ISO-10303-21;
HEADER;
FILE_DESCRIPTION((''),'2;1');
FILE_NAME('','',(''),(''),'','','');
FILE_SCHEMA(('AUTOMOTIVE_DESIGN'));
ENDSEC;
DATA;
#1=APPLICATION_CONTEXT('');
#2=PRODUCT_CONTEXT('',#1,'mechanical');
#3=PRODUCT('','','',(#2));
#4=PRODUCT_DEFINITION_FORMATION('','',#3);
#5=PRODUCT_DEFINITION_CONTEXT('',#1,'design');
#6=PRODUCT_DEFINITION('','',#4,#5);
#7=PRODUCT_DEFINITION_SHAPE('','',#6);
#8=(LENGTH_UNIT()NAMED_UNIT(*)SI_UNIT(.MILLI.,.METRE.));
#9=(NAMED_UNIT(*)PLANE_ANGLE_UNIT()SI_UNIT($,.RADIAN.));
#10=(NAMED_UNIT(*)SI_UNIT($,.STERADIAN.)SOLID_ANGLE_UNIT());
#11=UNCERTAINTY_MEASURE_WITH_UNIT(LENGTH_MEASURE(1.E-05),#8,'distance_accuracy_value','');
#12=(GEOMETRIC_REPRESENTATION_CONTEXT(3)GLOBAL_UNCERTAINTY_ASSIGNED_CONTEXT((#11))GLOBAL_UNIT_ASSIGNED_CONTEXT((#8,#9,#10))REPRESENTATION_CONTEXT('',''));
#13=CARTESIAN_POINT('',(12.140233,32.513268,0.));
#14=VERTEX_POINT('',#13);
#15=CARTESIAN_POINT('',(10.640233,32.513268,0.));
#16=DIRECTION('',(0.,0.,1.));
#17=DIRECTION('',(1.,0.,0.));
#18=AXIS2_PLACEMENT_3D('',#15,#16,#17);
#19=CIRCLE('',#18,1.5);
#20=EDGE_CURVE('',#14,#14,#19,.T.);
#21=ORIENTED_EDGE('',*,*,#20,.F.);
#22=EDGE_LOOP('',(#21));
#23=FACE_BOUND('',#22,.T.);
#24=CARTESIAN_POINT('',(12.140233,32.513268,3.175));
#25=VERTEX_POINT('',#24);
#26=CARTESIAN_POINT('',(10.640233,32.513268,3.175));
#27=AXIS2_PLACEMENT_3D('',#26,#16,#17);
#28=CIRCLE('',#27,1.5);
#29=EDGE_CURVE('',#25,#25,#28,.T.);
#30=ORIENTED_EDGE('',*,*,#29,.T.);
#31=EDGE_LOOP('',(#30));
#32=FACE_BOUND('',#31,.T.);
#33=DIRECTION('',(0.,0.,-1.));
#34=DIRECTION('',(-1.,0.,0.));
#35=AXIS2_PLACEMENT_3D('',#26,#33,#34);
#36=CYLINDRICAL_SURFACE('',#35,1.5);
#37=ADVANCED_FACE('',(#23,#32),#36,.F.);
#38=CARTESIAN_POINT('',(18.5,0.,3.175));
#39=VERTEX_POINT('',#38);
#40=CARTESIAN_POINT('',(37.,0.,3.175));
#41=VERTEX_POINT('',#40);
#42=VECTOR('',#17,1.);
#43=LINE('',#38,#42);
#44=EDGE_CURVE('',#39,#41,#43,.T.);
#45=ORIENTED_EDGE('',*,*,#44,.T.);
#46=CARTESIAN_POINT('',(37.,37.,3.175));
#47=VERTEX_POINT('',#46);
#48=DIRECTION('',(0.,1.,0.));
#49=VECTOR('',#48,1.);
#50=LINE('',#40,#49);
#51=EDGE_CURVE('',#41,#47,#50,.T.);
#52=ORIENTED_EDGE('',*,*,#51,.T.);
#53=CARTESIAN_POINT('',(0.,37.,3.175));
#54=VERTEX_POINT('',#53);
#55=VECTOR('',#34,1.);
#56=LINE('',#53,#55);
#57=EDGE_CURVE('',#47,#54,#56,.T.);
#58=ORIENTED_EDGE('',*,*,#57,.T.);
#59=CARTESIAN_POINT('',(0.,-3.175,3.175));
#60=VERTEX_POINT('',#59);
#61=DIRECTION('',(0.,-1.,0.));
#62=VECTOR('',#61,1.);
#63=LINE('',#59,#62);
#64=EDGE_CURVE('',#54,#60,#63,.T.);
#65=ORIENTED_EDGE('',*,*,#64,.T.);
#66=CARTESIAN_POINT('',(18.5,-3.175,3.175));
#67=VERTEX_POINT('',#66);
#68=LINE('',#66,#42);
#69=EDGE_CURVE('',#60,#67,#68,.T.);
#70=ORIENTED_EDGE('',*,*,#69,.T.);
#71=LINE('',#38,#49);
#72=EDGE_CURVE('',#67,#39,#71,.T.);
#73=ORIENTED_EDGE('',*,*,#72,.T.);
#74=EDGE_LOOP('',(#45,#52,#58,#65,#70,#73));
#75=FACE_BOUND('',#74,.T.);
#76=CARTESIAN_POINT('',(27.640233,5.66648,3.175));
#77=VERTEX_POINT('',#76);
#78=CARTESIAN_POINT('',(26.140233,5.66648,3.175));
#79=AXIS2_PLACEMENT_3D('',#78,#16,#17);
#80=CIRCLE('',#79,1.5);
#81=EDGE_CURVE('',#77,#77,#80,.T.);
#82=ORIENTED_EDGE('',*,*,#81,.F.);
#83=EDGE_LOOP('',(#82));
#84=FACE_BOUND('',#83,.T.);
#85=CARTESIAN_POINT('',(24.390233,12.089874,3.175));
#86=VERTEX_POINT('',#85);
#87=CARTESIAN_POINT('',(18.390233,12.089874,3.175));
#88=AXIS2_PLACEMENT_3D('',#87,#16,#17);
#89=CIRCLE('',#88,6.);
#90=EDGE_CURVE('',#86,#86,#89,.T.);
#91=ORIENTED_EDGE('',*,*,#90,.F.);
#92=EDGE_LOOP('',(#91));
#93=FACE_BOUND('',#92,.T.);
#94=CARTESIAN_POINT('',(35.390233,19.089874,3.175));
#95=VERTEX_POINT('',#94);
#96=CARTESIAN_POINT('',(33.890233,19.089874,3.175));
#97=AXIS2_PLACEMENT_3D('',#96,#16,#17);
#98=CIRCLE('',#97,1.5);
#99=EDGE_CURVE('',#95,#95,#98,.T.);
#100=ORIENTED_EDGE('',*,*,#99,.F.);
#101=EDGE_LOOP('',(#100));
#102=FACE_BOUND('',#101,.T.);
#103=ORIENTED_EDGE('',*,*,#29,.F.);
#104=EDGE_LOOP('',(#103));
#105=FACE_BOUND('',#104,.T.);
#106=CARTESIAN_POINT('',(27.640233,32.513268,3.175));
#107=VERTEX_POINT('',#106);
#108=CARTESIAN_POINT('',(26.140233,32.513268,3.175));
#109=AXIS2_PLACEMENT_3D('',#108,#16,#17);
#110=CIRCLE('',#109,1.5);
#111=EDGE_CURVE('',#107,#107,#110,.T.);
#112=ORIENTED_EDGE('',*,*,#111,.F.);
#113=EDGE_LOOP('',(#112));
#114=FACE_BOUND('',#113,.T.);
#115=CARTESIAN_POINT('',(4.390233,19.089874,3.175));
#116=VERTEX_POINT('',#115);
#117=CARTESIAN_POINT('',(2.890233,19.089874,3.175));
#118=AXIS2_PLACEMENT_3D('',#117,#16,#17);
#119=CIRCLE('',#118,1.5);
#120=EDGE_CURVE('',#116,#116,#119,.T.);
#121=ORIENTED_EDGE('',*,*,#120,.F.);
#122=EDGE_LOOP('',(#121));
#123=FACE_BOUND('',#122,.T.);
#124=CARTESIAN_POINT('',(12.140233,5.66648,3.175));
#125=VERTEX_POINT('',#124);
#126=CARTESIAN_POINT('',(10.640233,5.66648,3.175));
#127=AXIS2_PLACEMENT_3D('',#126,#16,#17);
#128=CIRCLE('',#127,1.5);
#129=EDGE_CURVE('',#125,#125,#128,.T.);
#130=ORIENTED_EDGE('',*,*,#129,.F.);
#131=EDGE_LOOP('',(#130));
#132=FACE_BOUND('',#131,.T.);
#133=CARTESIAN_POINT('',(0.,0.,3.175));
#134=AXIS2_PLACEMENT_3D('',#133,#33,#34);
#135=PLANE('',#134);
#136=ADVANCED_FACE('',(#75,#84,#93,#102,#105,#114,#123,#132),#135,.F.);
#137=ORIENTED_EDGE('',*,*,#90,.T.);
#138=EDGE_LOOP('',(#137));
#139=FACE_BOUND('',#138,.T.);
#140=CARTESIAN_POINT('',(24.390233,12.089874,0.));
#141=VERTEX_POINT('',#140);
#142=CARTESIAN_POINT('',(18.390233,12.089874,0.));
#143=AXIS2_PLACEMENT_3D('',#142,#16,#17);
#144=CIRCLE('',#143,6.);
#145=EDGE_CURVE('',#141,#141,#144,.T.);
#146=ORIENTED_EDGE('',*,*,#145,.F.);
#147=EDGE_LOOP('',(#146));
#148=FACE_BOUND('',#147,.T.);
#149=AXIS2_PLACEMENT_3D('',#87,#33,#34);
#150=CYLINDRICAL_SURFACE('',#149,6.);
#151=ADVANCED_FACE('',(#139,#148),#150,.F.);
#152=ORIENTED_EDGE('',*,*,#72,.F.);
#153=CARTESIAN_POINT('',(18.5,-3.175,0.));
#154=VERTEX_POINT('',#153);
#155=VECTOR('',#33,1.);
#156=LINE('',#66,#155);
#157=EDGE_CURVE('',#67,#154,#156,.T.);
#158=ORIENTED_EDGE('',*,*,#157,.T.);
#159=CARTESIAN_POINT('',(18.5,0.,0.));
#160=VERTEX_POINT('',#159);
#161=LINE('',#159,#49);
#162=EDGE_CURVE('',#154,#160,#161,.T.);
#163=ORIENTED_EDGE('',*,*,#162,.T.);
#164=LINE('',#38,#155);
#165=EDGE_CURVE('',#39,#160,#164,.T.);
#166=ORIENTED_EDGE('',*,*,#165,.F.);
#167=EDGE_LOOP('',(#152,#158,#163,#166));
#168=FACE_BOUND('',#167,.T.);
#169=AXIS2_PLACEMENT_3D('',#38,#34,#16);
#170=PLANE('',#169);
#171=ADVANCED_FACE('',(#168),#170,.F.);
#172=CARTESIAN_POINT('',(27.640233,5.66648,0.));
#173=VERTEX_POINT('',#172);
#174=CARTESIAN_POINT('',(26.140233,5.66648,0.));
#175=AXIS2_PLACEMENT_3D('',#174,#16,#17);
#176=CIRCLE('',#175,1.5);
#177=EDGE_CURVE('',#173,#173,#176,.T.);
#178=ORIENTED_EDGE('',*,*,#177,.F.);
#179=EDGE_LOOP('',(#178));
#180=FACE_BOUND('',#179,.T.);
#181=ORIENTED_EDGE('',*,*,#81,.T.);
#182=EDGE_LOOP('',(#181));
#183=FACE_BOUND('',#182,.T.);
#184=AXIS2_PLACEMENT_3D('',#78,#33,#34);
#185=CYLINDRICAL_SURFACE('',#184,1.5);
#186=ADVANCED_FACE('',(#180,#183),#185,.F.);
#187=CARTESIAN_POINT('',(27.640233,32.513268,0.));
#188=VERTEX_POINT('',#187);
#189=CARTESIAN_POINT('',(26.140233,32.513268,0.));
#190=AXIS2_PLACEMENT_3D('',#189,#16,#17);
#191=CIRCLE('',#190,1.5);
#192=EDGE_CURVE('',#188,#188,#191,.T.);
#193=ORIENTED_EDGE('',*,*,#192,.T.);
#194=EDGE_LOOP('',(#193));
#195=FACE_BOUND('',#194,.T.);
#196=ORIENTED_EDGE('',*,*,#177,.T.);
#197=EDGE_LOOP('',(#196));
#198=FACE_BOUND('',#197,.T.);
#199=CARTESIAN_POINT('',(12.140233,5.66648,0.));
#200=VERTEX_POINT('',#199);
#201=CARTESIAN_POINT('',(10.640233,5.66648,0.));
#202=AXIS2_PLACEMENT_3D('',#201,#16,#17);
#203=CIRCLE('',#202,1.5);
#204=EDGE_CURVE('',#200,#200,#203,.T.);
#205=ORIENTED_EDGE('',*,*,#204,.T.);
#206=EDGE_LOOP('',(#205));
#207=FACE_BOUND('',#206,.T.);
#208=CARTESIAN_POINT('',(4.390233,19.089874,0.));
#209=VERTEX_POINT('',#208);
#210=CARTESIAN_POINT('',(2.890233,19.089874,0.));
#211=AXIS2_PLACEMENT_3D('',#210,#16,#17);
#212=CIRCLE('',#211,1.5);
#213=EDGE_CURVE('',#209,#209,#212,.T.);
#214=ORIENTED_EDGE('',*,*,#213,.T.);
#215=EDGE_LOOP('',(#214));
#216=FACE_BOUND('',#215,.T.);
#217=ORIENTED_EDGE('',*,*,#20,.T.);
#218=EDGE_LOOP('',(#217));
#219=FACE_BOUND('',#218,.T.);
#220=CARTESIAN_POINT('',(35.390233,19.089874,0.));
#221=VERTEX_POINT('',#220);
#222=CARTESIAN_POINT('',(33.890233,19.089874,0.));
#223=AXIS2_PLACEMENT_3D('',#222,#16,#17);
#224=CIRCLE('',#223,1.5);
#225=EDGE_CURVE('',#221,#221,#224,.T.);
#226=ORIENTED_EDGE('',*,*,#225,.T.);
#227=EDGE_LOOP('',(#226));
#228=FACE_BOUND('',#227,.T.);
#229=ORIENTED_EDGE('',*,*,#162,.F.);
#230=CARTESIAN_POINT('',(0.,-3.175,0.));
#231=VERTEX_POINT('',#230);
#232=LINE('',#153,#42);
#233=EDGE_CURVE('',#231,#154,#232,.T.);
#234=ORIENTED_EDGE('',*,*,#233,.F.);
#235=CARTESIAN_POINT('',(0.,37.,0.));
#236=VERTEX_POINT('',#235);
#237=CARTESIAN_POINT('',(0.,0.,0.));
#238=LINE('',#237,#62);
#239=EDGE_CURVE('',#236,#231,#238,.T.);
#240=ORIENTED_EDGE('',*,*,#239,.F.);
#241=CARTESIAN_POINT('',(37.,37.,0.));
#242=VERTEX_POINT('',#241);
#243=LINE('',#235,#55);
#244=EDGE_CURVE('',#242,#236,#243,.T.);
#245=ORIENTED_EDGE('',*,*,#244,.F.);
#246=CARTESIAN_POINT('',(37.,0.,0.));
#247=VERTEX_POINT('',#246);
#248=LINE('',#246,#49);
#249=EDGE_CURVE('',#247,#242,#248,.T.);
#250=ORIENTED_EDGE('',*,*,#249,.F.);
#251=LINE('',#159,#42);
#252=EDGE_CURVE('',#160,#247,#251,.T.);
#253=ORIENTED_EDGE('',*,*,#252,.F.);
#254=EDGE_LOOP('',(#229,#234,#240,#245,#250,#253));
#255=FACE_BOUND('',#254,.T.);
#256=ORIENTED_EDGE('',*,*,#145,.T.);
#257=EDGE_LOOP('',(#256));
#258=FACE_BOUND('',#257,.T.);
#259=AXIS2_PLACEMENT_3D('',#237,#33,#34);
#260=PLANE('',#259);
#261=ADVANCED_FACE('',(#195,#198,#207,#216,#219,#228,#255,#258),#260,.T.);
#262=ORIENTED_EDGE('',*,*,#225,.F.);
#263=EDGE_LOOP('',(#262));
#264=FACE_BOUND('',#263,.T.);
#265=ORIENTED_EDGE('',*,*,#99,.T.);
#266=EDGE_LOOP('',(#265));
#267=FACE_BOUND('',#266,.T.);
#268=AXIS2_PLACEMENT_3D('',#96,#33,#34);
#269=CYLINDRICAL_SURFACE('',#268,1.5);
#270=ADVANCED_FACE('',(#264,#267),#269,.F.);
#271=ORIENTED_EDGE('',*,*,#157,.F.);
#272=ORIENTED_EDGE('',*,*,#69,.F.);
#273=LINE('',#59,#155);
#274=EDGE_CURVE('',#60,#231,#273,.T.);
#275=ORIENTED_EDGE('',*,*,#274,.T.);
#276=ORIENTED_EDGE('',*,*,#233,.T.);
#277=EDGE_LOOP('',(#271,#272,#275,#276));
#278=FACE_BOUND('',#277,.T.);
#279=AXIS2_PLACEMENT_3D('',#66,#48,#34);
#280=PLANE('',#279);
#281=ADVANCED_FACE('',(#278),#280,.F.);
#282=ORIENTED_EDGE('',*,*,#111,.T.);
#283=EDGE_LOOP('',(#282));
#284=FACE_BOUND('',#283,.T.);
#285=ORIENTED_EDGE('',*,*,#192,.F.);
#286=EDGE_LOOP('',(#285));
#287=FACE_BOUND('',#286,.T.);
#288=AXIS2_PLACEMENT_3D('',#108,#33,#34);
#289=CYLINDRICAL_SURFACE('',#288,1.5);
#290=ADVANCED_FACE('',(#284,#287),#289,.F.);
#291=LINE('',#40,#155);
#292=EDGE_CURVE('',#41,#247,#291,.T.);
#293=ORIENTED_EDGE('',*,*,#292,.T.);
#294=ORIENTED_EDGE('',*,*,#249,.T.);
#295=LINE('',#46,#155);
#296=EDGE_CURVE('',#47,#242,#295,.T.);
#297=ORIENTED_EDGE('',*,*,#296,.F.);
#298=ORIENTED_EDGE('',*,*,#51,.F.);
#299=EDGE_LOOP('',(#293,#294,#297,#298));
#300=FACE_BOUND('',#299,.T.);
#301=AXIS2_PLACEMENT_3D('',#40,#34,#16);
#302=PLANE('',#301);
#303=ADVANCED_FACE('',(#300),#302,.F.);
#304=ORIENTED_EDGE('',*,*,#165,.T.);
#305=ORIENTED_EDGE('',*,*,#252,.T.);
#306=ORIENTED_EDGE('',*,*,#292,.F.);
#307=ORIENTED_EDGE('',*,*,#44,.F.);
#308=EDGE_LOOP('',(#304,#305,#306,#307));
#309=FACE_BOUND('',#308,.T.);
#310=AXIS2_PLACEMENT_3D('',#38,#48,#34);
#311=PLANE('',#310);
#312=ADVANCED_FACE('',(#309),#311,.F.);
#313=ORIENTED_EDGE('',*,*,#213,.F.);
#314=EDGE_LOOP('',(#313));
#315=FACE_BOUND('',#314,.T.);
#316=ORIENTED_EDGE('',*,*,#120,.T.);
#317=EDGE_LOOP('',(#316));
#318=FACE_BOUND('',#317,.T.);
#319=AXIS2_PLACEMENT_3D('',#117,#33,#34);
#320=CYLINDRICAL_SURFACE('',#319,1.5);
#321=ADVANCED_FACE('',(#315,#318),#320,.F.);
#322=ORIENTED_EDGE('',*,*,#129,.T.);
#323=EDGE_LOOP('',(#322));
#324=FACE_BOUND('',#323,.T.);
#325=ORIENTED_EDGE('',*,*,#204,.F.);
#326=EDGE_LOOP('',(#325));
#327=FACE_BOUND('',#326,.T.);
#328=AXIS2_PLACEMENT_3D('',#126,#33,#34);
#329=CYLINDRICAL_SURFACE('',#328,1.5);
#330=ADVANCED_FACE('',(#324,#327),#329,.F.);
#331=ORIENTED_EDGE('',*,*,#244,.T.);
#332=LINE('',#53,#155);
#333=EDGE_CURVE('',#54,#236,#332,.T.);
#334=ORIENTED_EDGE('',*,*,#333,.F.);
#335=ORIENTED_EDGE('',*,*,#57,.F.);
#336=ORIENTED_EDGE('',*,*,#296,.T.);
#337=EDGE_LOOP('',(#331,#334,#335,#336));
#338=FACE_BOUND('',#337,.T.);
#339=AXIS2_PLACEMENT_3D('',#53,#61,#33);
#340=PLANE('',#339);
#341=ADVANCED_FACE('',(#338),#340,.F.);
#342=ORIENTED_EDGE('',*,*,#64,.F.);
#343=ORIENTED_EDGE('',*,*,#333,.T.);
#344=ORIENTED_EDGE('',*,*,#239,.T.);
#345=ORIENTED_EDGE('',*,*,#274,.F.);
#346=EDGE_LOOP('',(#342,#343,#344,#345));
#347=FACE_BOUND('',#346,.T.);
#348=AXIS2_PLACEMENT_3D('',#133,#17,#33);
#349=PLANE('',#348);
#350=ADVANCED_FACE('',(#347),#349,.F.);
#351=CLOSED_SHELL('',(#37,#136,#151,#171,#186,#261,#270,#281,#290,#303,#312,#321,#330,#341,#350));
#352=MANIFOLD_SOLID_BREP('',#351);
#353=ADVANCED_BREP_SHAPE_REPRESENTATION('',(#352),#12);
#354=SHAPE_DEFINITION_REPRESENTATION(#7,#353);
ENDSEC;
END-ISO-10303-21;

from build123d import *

# Parameters (mm, degrees)
SKETCH1_R           = 6
SKETCH1_R_2         = 1.5
BOSS_EXTRUDE1_DEPTH = 3.175


with BuildPart() as part:
    # Sketch1 → Boss-Extrude1 (new body)
    with BuildSketch(Plane.XY):
        Polygon((18.5, 0), (18.5, -3.175), (0, -3.175), (0, 0), (0, 37), (37, 37), (37, 0), align=None)
        with Locations((18.39023312, 12.089873912)):
            Circle(SKETCH1_R, mode=Mode.SUBTRACT)
        with Locations((2.89023312, 19.089873912)):
            Circle(SKETCH1_R_2, mode=Mode.SUBTRACT)
        with Locations((10.64023312, 5.666480153)):
            Circle(SKETCH1_R_2, mode=Mode.SUBTRACT)
        with Locations((26.14023312, 5.666480153)):
            Circle(SKETCH1_R_2, mode=Mode.SUBTRACT)
        with Locations((33.89023312, 19.089873912)):
            Circle(SKETCH1_R_2, mode=Mode.SUBTRACT)
        with Locations((26.14023312, 32.513267671)):
            Circle(SKETCH1_R_2, mode=Mode.SUBTRACT)
        with Locations((10.64023312, 32.513267671)):
            Circle(SKETCH1_R_2, mode=Mode.SUBTRACT)
    extrude(amount=BOSS_EXTRUDE1_DEPTH)


solid = part.part
